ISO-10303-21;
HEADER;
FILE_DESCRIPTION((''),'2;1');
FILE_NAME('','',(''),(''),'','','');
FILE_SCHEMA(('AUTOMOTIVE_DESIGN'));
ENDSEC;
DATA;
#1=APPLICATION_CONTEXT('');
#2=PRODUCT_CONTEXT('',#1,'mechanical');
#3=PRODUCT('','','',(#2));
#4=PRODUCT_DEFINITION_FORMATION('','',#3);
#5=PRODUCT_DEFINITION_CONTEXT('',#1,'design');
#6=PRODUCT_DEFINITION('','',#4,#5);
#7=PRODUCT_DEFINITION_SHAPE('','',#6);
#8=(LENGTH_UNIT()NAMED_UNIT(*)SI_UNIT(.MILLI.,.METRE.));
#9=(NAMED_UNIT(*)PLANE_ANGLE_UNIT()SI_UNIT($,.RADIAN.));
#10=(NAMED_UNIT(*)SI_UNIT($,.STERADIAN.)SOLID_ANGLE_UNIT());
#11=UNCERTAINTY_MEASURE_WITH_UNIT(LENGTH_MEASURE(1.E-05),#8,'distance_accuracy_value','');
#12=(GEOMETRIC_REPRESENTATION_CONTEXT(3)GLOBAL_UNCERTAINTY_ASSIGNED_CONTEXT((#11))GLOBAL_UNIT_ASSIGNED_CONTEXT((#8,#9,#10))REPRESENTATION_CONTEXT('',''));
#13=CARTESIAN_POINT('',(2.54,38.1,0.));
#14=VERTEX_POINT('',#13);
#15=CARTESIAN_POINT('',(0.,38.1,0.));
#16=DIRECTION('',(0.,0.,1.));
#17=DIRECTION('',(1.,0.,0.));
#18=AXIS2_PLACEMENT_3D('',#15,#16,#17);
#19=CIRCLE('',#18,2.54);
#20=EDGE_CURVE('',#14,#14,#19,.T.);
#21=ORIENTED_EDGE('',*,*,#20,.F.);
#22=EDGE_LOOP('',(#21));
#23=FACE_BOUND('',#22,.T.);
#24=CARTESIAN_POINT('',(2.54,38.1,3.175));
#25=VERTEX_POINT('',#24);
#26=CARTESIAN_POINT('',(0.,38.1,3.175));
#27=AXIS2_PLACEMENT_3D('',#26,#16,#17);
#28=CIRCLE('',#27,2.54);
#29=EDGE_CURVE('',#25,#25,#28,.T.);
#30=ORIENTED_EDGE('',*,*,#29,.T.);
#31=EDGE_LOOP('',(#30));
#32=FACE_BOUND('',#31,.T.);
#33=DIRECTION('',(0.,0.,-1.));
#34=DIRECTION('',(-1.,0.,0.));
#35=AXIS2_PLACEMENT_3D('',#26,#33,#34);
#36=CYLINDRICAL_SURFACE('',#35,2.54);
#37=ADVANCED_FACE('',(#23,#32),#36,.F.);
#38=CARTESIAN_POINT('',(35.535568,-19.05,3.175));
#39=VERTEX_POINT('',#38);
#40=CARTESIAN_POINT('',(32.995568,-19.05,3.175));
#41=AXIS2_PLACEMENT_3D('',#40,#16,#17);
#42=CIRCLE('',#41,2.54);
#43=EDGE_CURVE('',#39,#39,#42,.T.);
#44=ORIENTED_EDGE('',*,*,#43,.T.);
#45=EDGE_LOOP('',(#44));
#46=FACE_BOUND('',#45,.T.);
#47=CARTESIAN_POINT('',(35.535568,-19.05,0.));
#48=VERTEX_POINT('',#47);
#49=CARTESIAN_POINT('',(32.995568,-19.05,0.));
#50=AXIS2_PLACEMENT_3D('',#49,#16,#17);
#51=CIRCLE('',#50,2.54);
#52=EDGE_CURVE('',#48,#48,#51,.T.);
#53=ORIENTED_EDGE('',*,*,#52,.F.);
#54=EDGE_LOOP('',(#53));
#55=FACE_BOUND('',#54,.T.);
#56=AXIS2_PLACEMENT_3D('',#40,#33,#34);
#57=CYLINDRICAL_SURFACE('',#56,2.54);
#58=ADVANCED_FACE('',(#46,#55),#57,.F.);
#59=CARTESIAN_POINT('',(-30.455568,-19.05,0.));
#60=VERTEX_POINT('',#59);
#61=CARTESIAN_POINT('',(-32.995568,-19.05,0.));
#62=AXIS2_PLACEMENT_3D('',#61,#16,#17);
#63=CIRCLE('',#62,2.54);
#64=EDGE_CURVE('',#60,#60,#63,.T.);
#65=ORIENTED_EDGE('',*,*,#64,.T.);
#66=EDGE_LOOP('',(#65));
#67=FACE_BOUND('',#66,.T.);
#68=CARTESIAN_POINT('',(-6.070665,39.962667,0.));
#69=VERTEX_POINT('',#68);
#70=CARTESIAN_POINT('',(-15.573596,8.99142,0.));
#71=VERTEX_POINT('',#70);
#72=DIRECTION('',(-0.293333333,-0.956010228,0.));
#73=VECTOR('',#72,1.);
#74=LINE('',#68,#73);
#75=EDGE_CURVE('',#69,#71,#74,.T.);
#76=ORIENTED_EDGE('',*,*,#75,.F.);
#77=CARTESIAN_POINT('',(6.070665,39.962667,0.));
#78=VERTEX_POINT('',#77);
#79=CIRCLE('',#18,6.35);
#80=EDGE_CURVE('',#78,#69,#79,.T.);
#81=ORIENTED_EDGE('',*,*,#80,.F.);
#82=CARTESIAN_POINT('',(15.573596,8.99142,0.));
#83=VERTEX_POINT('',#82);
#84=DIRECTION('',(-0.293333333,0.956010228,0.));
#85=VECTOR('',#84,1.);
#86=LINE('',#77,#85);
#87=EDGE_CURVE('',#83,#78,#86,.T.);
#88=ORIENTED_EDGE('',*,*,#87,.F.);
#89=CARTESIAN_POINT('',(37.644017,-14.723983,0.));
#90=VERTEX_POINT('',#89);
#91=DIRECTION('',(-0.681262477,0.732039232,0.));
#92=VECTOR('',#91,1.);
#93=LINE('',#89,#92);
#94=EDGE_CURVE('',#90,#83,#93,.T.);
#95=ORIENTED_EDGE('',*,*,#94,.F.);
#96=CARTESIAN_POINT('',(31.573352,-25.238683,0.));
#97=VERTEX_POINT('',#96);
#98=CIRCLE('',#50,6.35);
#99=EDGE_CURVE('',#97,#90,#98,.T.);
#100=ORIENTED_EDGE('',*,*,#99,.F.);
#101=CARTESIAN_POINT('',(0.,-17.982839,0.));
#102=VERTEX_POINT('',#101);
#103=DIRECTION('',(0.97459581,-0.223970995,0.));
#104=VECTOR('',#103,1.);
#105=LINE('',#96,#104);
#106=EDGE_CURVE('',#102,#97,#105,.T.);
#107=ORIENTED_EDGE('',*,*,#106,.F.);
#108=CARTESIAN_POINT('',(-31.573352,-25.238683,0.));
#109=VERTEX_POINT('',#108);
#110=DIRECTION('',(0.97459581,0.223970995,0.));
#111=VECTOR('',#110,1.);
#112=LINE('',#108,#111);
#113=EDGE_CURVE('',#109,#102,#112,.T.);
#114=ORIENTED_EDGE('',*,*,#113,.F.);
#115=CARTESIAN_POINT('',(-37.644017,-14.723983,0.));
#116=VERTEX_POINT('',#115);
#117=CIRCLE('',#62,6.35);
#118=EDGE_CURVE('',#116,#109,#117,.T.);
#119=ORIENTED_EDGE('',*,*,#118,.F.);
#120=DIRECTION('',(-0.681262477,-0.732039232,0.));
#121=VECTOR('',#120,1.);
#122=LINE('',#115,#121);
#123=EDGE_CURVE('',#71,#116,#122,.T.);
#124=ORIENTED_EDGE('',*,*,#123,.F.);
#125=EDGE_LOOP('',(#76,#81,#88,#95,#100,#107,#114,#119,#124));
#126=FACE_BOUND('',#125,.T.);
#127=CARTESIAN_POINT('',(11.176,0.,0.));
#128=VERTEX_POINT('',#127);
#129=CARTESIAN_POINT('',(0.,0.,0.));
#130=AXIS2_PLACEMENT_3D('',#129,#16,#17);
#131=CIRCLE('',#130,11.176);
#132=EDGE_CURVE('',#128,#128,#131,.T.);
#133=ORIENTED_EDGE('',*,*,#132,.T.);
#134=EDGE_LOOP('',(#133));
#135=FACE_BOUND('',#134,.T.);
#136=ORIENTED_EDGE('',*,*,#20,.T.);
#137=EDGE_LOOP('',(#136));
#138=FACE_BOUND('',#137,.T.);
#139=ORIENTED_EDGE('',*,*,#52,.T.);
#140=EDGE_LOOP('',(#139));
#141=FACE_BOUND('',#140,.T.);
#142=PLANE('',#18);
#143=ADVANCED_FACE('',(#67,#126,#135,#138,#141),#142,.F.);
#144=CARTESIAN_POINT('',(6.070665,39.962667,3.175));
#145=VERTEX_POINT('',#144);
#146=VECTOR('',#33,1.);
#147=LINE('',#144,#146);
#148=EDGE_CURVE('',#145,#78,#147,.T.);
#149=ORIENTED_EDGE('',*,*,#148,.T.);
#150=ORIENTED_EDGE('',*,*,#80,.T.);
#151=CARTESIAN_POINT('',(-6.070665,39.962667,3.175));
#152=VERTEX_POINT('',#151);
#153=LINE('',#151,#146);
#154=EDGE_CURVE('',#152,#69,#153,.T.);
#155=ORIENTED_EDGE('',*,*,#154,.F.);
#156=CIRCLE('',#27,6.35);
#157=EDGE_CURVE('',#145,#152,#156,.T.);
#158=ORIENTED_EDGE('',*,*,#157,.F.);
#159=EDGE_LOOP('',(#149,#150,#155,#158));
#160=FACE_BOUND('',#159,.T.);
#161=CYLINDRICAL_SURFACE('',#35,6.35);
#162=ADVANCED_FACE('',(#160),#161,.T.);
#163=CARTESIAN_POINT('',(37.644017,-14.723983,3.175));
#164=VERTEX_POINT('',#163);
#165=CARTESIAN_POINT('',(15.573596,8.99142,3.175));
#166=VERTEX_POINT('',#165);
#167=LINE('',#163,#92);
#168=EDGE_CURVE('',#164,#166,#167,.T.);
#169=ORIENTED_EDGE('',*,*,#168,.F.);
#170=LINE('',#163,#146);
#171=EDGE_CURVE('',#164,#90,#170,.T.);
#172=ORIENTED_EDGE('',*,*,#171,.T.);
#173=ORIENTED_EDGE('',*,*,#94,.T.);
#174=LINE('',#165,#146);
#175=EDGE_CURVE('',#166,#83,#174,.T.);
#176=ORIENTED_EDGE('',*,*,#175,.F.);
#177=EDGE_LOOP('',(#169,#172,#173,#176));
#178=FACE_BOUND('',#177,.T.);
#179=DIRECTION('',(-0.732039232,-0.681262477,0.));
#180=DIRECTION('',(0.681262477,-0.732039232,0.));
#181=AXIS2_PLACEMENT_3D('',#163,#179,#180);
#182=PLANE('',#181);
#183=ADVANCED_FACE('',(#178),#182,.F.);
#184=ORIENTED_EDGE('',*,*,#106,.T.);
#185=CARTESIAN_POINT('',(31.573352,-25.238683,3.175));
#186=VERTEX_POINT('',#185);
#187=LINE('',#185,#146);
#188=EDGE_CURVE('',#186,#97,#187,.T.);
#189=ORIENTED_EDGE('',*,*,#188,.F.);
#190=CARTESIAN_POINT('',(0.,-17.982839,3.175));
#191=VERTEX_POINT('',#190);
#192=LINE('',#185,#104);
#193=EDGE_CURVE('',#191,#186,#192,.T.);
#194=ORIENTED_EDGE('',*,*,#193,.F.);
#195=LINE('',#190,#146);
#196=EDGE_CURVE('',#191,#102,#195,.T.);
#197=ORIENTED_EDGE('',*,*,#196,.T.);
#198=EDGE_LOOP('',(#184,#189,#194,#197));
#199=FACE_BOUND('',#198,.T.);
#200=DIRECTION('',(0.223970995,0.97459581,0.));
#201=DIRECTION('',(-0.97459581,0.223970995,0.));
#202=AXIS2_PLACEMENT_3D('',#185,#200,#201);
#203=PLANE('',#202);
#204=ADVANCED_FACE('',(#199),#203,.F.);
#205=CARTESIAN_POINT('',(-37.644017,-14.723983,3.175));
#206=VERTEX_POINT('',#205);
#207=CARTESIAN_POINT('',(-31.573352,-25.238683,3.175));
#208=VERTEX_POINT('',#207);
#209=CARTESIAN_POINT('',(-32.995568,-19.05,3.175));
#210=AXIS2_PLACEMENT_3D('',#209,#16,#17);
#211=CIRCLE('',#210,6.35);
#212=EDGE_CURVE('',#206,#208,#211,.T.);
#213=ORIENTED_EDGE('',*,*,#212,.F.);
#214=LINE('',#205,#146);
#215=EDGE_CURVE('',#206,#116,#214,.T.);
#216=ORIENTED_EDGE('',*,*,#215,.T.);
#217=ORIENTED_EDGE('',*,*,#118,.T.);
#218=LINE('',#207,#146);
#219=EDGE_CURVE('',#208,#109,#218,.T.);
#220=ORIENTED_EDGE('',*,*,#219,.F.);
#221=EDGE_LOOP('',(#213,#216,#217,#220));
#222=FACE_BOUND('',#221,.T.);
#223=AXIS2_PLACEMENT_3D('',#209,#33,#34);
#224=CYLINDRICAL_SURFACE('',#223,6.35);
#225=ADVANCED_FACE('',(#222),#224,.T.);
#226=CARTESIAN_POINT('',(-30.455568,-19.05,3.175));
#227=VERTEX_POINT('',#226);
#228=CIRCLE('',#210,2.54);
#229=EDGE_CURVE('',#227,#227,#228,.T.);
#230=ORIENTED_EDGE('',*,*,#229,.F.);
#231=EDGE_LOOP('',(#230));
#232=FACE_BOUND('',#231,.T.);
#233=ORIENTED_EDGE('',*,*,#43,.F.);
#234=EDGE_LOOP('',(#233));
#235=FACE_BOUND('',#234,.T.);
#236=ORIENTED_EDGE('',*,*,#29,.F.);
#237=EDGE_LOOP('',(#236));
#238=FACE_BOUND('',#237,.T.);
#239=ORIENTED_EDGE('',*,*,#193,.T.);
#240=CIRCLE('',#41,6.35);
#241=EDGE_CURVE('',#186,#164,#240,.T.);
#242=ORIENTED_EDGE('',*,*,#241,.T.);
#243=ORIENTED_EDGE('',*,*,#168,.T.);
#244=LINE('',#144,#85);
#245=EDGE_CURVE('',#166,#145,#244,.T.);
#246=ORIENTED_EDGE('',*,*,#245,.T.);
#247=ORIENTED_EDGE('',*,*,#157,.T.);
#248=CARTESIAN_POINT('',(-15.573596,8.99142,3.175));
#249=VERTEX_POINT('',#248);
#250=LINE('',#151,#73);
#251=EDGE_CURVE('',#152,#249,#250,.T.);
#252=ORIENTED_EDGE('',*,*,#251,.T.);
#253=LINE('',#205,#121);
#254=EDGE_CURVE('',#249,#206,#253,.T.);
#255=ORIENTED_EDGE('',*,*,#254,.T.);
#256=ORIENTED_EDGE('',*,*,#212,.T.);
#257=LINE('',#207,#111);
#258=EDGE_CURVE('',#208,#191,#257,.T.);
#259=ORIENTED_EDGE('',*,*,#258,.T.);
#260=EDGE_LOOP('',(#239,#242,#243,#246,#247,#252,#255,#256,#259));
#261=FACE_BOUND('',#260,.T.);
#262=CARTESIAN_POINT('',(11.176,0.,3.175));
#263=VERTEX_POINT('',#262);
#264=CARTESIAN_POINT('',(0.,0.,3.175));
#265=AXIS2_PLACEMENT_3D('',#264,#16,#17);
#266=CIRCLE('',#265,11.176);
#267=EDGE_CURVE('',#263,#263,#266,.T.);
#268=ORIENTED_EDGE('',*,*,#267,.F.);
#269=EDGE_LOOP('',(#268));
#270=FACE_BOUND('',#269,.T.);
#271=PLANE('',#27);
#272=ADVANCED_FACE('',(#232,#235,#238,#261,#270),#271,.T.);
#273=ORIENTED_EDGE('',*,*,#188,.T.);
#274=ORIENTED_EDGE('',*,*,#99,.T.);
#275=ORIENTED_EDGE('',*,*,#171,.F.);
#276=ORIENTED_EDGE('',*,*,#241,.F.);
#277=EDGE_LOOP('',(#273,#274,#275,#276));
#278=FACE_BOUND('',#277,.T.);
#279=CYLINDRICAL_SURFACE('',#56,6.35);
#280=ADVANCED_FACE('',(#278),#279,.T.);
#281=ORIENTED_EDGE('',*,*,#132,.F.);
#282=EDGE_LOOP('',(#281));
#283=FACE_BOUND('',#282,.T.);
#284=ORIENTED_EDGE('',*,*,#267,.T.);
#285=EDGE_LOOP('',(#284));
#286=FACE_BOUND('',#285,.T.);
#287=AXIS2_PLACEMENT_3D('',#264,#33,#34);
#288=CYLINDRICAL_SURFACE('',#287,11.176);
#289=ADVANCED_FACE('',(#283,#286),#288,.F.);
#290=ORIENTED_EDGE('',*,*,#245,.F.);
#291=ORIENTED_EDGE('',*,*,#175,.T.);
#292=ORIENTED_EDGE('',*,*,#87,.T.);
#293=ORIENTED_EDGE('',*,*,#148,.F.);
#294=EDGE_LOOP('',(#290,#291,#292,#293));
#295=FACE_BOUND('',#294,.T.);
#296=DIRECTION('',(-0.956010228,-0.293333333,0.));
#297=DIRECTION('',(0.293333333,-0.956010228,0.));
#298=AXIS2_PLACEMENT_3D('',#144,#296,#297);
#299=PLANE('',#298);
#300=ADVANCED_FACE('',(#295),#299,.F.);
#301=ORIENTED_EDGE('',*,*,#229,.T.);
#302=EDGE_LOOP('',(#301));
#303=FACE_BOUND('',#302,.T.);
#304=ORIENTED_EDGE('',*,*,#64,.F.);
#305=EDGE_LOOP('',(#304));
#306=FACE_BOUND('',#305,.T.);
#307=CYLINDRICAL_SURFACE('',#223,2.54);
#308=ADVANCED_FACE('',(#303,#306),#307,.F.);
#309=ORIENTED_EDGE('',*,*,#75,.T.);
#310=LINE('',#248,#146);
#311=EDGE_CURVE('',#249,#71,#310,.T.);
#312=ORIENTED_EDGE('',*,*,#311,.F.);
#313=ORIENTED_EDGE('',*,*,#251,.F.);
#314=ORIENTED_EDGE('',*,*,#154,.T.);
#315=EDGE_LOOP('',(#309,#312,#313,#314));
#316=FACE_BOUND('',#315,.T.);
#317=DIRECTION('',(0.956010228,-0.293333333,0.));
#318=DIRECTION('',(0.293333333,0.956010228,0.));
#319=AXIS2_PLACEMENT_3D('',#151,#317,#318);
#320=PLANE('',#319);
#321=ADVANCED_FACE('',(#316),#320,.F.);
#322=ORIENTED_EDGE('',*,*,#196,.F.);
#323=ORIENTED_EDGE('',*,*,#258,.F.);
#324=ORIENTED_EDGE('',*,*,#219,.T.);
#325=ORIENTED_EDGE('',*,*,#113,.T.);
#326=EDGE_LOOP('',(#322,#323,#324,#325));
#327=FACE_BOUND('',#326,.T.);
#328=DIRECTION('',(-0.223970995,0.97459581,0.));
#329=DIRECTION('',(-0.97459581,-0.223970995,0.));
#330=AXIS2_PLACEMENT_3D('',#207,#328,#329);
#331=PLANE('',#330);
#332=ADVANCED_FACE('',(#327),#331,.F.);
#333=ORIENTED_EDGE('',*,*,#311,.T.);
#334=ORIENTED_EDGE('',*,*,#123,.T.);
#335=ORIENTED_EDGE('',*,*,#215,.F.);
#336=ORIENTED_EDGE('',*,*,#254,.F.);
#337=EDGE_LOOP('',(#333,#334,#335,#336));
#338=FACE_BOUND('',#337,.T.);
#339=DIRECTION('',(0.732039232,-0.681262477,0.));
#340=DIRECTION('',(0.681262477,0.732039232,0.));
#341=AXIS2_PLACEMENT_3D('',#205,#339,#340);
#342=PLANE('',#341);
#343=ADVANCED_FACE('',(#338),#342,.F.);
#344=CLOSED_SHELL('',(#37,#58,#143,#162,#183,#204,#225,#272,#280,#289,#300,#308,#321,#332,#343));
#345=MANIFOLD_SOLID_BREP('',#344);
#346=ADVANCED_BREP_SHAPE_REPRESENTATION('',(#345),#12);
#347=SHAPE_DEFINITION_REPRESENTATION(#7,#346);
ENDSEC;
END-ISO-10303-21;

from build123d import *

# Parameters (mm, degrees)
SKETCH3_R           = 11.176
SKETCH3_R_2         = 2.54
BOSS_EXTRUDE2_DEPTH = 3.175


with BuildPart() as part:
    # Sketch3 → Boss-Extrude2 (new body)
    with BuildSketch(Plane.XY):
        with BuildLine():
            Line((-6.070664946, 39.962666667), (-15.573595811, 8.991419734))
            Line((-15.573595811, 8.991419734), (-37.644017009, -14.723983272))
            ThreePointArc((-37.644017009, -14.723983272), (-38.494829198, -22.225), (-31.573352063, -25.238683395))
            Line((-31.573352063, -25.238683395), (0, -17.982839467))
            Line((0, -17.982839467), (31.573352063, -25.238683395))
            ThreePointArc((31.573352063, -25.238683395), (38.494829198, -22.225), (37.644017009, -14.723983272))
            Line((37.644017009, -14.723983272), (15.573595811, 8.991419734))
            Line((15.573595811, 8.991419734), (6.070664946, 39.962666667))
            ThreePointArc((6.070664946, 39.962666667), (0, 44.45), (-6.070664946, 39.962666667))
        make_face()
        Circle(SKETCH3_R, mode=Mode.SUBTRACT)
        with Locations((0, 38.1)):
            Circle(SKETCH3_R_2, mode=Mode.SUBTRACT)
        with Locations((32.995567884, -19.05)):
            Circle(SKETCH3_R_2, mode=Mode.SUBTRACT)
        with Locations((-32.995567884, -19.05)):
            Circle(SKETCH3_R_2, mode=Mode.SUBTRACT)
    extrude(amount=BOSS_EXTRUDE2_DEPTH)


solid = part.part
